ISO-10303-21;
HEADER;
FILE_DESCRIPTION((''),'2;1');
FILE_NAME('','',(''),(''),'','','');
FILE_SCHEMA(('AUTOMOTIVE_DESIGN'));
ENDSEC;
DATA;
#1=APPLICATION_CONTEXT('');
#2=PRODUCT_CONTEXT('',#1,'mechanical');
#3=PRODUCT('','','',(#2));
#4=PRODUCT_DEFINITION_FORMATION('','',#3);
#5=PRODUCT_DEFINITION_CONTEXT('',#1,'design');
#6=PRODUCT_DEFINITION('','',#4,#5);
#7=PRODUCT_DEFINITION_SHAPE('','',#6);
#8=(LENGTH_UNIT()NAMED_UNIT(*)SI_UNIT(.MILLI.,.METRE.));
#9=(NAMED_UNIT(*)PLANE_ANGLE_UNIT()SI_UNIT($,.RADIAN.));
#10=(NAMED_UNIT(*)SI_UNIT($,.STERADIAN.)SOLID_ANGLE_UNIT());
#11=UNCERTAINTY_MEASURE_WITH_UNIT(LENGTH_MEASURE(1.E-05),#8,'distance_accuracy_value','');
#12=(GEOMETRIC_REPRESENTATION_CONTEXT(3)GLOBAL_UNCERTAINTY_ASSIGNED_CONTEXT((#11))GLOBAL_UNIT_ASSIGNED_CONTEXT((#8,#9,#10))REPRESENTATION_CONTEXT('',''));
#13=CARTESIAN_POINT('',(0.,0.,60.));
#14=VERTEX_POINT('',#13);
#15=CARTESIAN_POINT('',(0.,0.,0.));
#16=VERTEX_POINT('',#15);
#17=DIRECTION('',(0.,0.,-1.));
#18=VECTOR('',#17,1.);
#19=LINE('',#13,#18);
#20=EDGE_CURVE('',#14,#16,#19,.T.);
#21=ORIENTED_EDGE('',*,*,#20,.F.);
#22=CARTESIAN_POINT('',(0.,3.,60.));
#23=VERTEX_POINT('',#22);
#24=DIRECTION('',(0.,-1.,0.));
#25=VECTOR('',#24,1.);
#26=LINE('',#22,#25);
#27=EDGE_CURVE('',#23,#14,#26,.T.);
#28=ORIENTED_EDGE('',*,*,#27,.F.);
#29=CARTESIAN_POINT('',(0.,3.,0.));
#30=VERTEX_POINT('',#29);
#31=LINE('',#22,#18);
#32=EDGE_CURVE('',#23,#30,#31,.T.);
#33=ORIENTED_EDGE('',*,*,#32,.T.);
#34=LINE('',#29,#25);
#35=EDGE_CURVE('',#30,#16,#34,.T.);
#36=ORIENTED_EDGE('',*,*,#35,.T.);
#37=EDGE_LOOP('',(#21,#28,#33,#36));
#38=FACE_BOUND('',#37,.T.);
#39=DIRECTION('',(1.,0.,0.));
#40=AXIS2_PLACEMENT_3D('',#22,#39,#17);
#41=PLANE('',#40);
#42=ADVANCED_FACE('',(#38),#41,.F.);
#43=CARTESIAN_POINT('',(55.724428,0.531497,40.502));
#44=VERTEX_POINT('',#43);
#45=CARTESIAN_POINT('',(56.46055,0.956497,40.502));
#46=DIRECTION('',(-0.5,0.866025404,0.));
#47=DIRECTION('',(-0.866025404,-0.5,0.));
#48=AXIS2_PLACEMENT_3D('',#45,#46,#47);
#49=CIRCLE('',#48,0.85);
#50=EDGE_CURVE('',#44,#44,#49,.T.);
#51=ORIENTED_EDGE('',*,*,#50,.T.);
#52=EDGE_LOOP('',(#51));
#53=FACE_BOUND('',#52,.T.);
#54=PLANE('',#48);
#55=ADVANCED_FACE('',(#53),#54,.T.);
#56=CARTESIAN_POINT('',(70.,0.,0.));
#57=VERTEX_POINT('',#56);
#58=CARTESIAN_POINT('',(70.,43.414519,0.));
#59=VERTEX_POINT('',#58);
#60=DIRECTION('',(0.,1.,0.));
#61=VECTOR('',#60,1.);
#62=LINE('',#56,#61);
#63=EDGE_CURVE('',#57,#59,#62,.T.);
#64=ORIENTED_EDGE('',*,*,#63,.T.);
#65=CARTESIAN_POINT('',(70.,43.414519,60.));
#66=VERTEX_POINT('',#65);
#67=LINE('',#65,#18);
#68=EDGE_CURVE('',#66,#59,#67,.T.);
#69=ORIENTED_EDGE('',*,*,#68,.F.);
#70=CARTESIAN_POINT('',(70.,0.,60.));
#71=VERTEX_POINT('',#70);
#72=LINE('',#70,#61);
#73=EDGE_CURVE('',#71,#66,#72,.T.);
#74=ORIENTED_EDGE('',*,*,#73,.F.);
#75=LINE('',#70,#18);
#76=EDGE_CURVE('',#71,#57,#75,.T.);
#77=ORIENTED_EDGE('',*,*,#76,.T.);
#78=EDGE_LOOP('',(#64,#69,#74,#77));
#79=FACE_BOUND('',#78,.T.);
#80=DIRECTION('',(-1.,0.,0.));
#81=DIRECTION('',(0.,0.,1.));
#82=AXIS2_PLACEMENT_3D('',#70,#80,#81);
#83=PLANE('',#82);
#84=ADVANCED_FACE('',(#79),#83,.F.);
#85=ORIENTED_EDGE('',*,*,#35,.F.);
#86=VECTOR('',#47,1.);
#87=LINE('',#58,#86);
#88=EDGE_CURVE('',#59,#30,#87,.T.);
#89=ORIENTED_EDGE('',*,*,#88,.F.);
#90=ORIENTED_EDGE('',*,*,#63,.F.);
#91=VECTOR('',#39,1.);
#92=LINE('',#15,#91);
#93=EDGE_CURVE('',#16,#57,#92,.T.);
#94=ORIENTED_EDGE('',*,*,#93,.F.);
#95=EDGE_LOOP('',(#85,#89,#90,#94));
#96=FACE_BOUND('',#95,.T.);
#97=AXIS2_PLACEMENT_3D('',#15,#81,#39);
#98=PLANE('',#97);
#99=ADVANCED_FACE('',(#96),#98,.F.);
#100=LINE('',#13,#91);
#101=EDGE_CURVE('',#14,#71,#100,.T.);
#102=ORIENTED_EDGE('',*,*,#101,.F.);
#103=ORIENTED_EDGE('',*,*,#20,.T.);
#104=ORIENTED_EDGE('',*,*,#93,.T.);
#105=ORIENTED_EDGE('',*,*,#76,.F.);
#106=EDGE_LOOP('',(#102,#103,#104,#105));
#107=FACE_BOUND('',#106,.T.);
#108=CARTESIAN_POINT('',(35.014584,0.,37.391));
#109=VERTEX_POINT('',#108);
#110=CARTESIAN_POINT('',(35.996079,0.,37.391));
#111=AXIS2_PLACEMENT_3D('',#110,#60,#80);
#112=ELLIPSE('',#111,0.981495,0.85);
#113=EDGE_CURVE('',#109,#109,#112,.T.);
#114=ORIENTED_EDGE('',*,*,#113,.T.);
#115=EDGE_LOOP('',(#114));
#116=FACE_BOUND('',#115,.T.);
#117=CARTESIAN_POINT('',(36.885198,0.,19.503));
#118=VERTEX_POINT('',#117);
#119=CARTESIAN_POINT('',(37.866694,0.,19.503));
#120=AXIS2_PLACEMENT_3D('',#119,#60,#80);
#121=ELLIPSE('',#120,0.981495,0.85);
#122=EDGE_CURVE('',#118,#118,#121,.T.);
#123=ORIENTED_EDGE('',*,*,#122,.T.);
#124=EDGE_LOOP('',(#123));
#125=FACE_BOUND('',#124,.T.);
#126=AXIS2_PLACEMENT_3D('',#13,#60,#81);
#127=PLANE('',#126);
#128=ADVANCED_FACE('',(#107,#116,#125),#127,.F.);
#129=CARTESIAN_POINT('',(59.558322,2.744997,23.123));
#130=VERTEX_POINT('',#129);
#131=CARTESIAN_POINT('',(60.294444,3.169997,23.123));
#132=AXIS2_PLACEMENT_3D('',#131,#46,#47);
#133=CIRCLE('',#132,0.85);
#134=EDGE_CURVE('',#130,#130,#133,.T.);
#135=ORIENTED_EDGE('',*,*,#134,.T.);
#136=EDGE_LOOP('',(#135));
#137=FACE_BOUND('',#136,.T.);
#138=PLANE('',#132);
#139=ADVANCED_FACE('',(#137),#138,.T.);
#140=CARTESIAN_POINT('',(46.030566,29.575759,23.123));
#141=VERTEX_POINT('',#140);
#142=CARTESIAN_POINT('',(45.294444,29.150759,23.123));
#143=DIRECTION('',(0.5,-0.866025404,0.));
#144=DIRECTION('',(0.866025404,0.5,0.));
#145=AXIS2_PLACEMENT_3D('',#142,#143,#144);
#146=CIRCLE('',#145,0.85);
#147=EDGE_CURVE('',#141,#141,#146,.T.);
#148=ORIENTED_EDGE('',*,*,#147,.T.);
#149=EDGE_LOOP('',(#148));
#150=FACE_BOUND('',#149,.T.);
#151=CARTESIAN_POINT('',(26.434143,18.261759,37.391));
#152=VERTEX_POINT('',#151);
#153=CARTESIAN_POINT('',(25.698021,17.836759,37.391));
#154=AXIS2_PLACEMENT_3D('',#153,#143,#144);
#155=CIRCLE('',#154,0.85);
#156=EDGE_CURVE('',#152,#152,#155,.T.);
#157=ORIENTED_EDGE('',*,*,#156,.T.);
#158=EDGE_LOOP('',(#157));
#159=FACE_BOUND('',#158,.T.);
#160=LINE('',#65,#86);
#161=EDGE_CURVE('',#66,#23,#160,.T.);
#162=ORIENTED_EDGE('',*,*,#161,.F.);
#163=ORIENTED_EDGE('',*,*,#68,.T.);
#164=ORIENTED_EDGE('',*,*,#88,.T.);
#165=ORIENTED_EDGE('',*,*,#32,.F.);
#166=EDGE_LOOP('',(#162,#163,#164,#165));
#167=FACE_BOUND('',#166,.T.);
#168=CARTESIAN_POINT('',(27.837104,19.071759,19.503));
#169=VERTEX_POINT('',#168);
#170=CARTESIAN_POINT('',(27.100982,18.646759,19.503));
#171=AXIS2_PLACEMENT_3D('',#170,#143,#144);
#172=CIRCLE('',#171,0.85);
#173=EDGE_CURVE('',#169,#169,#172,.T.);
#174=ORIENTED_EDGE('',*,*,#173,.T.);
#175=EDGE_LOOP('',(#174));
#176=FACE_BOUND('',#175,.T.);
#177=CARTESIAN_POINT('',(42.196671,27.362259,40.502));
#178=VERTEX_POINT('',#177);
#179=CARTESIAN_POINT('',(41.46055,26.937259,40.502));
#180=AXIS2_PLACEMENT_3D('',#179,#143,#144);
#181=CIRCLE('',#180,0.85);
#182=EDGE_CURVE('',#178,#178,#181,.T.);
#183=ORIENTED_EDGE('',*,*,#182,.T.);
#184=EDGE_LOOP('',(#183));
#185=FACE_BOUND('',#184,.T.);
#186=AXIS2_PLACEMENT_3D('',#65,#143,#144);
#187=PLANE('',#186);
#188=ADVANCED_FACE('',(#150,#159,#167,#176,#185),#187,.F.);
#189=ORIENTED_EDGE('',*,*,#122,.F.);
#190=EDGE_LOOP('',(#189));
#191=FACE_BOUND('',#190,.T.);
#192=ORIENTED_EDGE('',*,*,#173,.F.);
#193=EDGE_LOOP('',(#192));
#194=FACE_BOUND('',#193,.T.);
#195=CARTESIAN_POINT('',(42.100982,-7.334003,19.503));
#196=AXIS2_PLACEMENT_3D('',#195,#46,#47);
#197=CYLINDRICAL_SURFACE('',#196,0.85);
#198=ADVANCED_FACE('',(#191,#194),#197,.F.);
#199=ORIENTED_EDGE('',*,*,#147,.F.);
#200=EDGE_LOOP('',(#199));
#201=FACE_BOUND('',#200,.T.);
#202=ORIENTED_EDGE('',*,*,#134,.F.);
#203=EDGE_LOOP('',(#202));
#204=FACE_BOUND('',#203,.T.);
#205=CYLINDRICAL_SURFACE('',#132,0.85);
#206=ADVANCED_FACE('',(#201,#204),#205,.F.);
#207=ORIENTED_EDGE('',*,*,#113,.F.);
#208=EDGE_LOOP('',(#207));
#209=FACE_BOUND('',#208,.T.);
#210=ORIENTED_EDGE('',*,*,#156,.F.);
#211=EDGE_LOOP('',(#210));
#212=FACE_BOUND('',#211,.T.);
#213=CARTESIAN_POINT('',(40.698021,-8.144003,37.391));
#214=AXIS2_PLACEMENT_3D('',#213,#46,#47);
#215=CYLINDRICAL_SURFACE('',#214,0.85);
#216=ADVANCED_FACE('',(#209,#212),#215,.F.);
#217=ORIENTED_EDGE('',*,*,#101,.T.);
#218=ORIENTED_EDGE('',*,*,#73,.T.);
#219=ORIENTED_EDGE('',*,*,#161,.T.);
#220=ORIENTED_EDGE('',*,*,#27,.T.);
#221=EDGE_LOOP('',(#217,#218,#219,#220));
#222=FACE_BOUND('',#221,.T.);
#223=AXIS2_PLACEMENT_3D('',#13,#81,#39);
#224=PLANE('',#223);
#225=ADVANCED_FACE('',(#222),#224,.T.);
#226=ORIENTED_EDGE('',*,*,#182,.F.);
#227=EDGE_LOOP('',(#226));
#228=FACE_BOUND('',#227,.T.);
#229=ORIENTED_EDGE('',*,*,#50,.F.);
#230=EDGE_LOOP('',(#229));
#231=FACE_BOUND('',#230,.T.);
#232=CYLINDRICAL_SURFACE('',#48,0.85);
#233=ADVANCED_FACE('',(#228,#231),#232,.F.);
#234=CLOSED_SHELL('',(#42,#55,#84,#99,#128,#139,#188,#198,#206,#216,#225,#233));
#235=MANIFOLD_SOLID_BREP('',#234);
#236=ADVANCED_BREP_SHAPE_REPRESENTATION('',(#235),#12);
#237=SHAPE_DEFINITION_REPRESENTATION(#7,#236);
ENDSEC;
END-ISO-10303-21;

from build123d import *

# Parameters (mm, degrees)
EXTRUDE_1_DEPTH     = 60
SKETCH_2_R          = 0.85
CUT_EXTRUDE_1_DEPTH = 30


with BuildPart() as part:
    # 草图1 → 凸台-拉伸1 (new body)
    with BuildSketch(Plane.XY):
        Polygon((0, 0), (70, 0), (70, 43.414518843), (0, 3), align=None)
    extrude(amount=EXTRUDE_1_DEPTH)

    # 草图2 → 切除-拉伸1 (cut, symmetric)
    with BuildSketch(Plane(origin=(-1.299038106, 2.25, 0), x_dir=(0.8660254037844386, 0.5, 0), z_dir=(-0.5000000000000001, 0.8660254037844387, 0))):
        with Locations(Location((32.793518843, -19.503, 0), (0, 0, 180))):
            Circle(SKETCH_2_R)
        with Locations(Location((53.801518843, -23.123, 0), (0, 0, 180))):
            Circle(SKETCH_2_R)
        with Locations(Location((49.374518843, -40.502, 0), (0, 0, 180))):
            Circle(SKETCH_2_R)
        with Locations(Location((31.173518843, -37.391, 0), (0, 0, 180))):
            Circle(SKETCH_2_R)
    extrude(amount=CUT_EXTRUDE_1_DEPTH, both=True, mode=Mode.SUBTRACT)


solid = part.part
